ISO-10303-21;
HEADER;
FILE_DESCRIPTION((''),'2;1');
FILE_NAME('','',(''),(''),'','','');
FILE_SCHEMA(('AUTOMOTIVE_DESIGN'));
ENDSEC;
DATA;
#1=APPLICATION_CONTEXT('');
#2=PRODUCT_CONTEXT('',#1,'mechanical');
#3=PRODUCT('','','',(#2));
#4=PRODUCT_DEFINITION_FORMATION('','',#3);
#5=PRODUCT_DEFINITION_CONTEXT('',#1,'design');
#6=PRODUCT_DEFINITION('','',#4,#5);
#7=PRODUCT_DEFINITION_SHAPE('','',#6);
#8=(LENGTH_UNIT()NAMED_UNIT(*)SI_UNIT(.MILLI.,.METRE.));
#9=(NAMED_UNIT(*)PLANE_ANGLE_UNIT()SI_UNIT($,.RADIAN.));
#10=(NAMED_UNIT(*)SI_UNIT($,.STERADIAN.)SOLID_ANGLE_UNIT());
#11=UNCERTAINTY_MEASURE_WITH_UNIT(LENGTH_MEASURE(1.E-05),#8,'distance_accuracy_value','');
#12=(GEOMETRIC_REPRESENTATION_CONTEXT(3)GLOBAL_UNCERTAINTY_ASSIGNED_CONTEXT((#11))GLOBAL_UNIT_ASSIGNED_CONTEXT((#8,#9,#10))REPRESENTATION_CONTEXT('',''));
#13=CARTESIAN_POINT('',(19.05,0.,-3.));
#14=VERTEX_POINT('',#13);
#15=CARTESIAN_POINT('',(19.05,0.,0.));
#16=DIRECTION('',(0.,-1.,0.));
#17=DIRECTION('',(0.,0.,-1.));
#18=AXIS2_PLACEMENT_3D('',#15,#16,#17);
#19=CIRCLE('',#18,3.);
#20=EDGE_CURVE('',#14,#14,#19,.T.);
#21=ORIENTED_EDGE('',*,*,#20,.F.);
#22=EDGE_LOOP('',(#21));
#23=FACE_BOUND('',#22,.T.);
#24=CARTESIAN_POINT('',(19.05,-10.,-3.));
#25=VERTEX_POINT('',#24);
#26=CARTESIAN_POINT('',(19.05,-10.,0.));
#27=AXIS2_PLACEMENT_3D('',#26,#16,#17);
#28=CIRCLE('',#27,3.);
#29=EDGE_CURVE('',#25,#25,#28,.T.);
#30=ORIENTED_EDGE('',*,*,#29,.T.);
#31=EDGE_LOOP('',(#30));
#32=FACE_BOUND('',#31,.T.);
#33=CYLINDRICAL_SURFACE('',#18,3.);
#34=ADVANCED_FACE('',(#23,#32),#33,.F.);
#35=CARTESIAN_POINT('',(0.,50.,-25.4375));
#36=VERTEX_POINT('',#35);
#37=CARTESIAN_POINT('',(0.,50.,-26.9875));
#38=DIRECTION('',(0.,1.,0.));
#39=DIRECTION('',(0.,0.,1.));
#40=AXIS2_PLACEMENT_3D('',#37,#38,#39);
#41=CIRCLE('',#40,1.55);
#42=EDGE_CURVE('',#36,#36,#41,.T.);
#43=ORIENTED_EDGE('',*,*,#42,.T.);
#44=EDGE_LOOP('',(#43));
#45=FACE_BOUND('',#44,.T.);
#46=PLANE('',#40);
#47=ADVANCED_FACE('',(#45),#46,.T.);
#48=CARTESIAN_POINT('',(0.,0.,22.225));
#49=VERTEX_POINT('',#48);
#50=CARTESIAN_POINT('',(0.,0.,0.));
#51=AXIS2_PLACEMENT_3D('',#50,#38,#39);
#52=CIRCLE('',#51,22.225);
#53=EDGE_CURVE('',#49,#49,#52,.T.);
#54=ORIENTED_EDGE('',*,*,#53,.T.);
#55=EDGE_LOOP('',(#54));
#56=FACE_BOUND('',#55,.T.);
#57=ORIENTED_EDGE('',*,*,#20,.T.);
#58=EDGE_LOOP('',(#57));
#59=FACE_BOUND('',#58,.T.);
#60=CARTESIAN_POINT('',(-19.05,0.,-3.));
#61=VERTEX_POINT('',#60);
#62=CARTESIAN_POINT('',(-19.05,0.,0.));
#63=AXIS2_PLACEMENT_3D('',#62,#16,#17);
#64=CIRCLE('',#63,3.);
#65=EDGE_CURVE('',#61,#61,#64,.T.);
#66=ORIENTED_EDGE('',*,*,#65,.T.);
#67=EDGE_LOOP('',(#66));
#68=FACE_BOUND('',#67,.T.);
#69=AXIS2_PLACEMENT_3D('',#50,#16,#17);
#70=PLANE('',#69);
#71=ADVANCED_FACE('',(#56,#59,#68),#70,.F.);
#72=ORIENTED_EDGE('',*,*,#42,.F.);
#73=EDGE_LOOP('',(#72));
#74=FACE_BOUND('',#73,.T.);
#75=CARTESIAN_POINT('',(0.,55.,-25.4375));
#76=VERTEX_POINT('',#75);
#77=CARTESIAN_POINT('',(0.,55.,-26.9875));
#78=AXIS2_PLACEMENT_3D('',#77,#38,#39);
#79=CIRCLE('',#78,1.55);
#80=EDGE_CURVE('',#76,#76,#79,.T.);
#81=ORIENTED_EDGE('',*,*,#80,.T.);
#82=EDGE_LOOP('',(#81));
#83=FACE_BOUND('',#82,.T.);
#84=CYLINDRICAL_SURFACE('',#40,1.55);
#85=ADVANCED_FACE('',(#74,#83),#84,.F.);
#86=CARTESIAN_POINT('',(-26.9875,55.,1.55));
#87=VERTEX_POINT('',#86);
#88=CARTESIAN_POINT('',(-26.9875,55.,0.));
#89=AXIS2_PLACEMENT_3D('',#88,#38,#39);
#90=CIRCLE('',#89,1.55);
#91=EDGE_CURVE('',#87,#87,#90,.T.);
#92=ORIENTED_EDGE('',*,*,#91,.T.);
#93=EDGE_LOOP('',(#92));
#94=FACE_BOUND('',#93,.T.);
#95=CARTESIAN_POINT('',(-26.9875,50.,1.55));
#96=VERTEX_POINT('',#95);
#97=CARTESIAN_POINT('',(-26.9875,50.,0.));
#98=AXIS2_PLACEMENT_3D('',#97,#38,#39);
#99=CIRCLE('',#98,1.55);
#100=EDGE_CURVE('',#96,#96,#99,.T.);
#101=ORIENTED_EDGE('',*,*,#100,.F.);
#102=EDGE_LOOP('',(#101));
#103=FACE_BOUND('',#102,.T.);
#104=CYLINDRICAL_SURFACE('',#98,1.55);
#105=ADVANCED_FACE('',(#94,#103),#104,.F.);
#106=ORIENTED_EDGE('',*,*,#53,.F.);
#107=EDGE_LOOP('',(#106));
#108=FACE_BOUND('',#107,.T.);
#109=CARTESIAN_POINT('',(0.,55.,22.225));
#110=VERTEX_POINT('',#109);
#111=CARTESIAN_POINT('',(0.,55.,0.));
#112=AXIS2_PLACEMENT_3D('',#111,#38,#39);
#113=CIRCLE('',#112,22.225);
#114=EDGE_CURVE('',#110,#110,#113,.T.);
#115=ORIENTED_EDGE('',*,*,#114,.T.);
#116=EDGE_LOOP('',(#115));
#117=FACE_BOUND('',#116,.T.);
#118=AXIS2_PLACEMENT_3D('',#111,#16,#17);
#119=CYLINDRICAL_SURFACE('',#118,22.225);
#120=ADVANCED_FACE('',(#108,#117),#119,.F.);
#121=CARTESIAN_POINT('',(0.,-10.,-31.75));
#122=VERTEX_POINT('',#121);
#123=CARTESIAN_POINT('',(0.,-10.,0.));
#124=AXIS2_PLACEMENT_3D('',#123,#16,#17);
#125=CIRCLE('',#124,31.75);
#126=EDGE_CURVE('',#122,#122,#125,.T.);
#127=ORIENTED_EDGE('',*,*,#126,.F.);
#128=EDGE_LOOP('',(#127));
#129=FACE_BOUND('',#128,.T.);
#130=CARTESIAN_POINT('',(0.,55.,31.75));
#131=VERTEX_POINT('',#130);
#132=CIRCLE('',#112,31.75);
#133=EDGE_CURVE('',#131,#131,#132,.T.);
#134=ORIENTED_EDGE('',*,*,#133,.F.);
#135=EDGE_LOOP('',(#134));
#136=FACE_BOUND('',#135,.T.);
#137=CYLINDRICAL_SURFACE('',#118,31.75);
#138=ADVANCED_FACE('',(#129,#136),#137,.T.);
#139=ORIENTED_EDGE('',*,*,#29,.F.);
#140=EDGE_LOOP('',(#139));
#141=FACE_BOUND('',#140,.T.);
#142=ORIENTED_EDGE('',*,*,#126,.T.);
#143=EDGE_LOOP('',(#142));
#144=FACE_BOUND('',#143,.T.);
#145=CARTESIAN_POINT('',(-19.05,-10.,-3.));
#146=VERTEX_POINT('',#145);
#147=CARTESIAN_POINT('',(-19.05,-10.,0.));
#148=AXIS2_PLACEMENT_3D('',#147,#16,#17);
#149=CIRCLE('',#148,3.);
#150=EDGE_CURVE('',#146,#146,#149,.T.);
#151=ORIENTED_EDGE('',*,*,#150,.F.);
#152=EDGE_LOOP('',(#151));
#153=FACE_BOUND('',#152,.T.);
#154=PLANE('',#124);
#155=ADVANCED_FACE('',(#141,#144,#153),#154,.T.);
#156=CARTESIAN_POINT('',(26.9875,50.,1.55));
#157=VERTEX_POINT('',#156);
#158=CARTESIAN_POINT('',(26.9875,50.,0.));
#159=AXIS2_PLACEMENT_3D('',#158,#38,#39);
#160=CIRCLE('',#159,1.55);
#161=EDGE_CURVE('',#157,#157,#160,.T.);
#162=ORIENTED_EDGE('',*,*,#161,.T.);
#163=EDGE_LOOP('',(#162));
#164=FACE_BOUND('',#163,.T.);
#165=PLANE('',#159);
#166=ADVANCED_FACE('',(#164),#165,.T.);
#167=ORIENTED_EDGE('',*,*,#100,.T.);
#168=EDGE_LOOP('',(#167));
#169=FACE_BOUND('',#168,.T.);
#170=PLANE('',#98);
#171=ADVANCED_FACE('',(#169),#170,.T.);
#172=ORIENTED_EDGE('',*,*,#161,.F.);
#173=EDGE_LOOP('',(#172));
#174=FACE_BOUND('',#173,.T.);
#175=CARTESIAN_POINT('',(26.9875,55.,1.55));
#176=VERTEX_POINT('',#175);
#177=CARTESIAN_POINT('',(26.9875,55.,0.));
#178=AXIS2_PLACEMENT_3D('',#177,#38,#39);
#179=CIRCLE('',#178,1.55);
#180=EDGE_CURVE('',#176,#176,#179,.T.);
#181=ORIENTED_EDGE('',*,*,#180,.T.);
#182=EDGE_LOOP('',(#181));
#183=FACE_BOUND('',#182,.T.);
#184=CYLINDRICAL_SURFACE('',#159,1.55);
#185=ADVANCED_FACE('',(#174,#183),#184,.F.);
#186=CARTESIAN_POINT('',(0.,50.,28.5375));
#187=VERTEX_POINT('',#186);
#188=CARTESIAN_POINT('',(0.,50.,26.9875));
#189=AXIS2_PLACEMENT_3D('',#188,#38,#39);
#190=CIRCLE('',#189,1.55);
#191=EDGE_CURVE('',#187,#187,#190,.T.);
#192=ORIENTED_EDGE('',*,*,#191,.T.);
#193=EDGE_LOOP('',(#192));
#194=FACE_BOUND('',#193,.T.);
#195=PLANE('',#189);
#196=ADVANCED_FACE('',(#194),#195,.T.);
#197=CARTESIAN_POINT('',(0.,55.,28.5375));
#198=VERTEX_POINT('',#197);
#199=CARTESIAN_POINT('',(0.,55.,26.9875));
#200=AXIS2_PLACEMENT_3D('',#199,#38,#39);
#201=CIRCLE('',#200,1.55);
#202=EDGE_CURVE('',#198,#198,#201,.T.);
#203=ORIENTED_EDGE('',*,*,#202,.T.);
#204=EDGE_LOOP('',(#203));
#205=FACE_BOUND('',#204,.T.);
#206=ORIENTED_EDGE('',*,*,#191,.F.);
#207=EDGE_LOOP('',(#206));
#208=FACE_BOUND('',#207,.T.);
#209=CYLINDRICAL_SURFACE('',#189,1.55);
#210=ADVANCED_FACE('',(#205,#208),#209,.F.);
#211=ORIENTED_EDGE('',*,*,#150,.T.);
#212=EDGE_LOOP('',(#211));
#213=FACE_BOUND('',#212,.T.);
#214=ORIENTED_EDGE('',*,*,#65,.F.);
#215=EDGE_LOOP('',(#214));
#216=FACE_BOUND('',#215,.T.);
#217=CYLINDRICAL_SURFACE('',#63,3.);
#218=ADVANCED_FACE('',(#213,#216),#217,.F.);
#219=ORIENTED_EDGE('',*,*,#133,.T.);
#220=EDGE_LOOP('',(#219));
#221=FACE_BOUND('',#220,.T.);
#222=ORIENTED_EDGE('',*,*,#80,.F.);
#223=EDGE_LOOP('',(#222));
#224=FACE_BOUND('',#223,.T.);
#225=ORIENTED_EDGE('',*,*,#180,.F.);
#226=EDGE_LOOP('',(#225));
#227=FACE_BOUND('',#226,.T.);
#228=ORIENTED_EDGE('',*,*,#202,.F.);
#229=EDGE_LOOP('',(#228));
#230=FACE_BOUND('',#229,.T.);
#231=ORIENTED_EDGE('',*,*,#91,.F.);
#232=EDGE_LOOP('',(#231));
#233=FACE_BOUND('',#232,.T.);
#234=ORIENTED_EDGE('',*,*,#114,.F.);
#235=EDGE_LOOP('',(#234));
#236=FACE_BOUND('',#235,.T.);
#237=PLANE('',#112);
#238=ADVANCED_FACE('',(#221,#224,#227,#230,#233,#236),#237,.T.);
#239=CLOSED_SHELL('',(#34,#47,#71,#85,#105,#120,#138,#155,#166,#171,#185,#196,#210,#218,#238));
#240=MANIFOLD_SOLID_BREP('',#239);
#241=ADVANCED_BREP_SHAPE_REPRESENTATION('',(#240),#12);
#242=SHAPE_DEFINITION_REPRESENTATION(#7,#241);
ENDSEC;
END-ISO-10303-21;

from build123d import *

# Parameters (mm, degrees)
SKETCH1_R           = 31.75
SKETCH1_R_2         = 22.225
BOSS_EXTRUDE1_DEPTH = 55
BOSS_EXTRUDE2_START = 10
SKETCH2_R           = 31.75
BOSS_EXTRUDE2_DEPTH = 10
SKETCH3_R           = 1.55
CUT_EXTRUDE1_DEPTH  = 5
SKETCH7_R           = 3
CUT_EXTRUDE2_DEPTH  = 10


with BuildPart() as part:
    # Sketch1 → Boss-Extrude1 (new body)
    with BuildSketch(Plane(origin=(0, 0, 0), x_dir=(1, 0, 0), z_dir=(0, 1, 0))):
        with Locations(Location((0, 0, 0), (0, 0, 270))):
            Circle(SKETCH1_R)
        with Locations(Location((0, 0, 0), (0, 0, 270))):
            Circle(SKETCH1_R_2, mode=Mode.SUBTRACT)
    extrude(amount=BOSS_EXTRUDE1_DEPTH)

    # Sketch2 → Boss-Extrude2 (add)
    with BuildSketch(Plane.XZ.offset(BOSS_EXTRUDE2_START)):
        with Locations(Location((0, 0, 0), (0, 0, 270))):
            Circle(SKETCH2_R)
    extrude(amount=-BOSS_EXTRUDE2_DEPTH)

    # Sketch3 → Cut-Extrude1 (cut)
    with BuildSketch(Plane(origin=(0, 55, 0), x_dir=(1, 0, 0), z_dir=(0, 1, 0))):
        with Locations(Location((0, 26.9875, 0), (0, 0, 270))):
            Circle(SKETCH3_R)
        with Locations(Location((26.9875, 0, 0), (0, 0, 270))):
            Circle(SKETCH3_R)
        with Locations(Location((0, -26.9875, 0), (0, 0, 270))):
            Circle(SKETCH3_R)
        with Locations(Location((-26.9875, 0, 0), (0, 0, 270))):
            Circle(SKETCH3_R)
    extrude(amount=-CUT_EXTRUDE1_DEPTH, mode=Mode.SUBTRACT)

    # Sketch7 → Cut-Extrude2 (cut)
    with BuildSketch(Plane(origin=(0, -10, 0), x_dir=(-1, 0, 0), z_dir=(0, -1, 0))):
        with Locations(Location((19.05, 0, 0), (0, 0, 90))):
            Circle(SKETCH7_R)
        with Locations(Location((-19.05, 0, 0), (0, 0, 90))):
            Circle(SKETCH7_R)
    extrude(amount=-CUT_EXTRUDE2_DEPTH, mode=Mode.SUBTRACT)


solid = part.part
